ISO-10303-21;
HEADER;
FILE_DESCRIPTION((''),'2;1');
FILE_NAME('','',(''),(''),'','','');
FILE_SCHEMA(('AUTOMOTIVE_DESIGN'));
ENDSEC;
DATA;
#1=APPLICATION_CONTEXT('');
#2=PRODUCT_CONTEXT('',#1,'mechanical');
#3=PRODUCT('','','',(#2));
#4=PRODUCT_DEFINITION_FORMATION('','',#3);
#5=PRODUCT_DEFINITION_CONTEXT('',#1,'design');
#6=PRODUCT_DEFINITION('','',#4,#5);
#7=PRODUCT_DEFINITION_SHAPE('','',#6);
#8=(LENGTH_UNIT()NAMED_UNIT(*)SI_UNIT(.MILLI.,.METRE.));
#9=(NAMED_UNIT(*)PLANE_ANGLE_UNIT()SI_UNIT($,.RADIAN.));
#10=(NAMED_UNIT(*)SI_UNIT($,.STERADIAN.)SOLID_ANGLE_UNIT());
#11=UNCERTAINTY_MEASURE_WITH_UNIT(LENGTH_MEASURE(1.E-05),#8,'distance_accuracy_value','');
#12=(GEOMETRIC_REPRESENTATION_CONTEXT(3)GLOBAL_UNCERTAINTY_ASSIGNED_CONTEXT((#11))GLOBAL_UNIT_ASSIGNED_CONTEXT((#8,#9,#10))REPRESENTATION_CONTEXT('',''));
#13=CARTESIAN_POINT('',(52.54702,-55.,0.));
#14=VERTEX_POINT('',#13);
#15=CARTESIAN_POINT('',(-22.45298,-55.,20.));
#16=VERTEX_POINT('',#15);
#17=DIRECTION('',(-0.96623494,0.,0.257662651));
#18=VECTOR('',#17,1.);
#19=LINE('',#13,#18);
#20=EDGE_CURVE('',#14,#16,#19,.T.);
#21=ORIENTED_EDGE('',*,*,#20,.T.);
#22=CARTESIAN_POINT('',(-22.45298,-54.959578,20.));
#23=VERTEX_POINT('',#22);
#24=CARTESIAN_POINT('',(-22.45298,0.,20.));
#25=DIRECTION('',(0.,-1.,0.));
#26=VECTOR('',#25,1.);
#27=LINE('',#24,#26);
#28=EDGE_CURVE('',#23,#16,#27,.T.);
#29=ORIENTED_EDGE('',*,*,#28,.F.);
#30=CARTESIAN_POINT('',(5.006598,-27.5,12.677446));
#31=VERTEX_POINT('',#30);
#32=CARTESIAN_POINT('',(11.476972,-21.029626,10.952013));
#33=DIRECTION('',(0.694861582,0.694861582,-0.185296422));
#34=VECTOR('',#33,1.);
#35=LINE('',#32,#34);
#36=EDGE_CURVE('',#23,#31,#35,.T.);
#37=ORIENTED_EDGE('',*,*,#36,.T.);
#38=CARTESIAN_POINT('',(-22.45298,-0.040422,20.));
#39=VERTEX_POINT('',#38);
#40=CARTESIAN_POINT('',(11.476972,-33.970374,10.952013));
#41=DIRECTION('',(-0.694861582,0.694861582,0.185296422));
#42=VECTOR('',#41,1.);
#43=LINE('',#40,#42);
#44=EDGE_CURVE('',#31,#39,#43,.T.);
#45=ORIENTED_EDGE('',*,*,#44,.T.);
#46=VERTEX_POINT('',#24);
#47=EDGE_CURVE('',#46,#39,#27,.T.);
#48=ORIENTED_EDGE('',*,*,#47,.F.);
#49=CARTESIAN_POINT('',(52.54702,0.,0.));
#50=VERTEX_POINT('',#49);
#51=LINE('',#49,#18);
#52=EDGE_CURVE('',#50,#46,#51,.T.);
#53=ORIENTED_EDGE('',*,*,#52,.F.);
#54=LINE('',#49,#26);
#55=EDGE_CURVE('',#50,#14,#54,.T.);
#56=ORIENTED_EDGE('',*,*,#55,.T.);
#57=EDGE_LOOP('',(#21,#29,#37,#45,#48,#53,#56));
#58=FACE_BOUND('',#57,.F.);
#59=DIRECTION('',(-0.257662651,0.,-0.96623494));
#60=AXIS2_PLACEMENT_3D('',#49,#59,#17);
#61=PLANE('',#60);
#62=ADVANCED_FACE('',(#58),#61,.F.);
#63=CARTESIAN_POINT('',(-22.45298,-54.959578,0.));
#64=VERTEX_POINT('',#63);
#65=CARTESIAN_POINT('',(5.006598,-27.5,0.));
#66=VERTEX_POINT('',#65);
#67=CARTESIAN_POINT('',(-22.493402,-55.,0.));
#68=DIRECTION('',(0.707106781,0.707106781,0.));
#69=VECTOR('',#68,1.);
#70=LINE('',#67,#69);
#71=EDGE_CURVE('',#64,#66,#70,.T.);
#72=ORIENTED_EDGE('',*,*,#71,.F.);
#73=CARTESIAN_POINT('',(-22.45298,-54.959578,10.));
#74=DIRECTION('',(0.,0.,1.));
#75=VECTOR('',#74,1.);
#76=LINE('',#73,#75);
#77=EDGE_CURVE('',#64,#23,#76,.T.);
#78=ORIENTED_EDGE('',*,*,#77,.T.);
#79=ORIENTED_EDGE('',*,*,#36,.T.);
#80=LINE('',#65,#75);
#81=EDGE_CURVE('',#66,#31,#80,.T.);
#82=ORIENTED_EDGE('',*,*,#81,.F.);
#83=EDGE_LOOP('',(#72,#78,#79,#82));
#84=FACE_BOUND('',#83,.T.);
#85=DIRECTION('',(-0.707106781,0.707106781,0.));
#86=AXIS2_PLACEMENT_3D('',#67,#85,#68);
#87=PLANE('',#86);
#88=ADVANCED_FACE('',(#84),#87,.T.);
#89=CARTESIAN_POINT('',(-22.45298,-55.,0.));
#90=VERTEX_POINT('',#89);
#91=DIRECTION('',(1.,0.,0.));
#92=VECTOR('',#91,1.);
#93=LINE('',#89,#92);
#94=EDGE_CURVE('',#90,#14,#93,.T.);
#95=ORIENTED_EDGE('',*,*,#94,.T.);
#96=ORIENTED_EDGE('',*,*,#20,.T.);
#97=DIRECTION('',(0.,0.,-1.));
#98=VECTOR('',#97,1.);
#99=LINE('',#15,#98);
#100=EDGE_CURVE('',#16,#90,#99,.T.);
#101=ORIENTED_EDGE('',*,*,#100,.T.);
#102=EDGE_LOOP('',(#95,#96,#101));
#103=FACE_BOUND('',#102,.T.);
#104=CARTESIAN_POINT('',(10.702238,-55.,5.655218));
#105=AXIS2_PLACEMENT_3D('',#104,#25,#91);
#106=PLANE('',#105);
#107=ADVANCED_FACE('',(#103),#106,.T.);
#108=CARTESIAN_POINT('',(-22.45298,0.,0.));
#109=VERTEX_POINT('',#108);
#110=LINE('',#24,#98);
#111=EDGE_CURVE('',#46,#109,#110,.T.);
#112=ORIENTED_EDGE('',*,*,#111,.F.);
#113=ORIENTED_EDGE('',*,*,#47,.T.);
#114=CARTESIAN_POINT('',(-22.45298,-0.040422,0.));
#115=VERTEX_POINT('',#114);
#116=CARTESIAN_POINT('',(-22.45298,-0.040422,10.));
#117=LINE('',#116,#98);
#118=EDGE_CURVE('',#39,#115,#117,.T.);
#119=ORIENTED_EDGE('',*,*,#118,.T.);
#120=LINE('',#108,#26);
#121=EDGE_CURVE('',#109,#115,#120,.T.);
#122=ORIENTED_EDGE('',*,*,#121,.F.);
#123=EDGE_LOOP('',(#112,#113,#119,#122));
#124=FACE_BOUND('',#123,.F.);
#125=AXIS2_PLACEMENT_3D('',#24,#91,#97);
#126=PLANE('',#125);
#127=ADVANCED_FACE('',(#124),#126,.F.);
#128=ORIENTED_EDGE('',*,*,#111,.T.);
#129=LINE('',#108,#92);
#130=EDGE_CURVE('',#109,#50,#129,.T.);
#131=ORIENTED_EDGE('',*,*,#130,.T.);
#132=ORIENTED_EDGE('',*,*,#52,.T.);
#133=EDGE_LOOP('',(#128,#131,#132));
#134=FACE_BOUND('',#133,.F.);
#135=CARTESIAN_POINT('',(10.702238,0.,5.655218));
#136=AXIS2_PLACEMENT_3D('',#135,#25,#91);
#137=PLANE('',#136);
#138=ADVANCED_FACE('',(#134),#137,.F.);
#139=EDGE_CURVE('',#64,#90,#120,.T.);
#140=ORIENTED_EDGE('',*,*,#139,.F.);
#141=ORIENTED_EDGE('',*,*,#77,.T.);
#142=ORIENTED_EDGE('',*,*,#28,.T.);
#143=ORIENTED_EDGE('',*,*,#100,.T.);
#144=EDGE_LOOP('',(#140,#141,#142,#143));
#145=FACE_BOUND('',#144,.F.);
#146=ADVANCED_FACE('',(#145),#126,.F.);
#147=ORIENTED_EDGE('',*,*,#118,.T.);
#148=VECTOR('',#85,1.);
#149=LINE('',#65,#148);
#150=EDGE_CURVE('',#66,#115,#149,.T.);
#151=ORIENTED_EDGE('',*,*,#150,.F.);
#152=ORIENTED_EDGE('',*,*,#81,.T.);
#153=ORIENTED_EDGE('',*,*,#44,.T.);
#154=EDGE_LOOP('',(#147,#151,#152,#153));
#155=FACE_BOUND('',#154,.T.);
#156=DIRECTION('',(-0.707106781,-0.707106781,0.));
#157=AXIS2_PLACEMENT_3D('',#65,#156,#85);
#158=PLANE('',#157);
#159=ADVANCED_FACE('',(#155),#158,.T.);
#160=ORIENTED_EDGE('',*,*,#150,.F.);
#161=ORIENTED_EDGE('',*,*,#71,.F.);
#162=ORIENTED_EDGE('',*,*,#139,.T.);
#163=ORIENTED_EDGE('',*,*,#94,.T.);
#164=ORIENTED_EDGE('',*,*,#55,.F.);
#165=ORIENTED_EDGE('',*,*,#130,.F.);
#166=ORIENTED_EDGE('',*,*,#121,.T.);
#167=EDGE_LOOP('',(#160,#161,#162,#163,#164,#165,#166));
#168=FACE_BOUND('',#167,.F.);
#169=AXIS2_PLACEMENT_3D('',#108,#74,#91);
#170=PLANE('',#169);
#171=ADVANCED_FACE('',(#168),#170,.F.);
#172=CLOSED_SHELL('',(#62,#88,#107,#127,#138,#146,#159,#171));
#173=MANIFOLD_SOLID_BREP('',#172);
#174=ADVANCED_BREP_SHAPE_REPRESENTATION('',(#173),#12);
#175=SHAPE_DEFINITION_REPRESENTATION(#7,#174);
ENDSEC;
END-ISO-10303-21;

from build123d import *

# Parameters (mm, degrees)
F1_DEPTH = 55
F3_DEPTH = 20


with BuildPart() as f1:
    # F0 (on Front) → F1 (new body)
    with BuildSketch(Plane.XZ):
        Polygon((-22.45298, 20), (-22.45298, 0), (52.54702, 0), align=None)
    extrude(amount=F1_DEPTH)

    # F2 (on Top) → F3 (cut)
    with BuildSketch(Plane.XY):
        Polygon((-22.493402, 0), (-22.493402, -55), (5.006598, -27.5), align=None)
    extrude(amount=F3_DEPTH, mode=Mode.SUBTRACT)


solid = f1.part
